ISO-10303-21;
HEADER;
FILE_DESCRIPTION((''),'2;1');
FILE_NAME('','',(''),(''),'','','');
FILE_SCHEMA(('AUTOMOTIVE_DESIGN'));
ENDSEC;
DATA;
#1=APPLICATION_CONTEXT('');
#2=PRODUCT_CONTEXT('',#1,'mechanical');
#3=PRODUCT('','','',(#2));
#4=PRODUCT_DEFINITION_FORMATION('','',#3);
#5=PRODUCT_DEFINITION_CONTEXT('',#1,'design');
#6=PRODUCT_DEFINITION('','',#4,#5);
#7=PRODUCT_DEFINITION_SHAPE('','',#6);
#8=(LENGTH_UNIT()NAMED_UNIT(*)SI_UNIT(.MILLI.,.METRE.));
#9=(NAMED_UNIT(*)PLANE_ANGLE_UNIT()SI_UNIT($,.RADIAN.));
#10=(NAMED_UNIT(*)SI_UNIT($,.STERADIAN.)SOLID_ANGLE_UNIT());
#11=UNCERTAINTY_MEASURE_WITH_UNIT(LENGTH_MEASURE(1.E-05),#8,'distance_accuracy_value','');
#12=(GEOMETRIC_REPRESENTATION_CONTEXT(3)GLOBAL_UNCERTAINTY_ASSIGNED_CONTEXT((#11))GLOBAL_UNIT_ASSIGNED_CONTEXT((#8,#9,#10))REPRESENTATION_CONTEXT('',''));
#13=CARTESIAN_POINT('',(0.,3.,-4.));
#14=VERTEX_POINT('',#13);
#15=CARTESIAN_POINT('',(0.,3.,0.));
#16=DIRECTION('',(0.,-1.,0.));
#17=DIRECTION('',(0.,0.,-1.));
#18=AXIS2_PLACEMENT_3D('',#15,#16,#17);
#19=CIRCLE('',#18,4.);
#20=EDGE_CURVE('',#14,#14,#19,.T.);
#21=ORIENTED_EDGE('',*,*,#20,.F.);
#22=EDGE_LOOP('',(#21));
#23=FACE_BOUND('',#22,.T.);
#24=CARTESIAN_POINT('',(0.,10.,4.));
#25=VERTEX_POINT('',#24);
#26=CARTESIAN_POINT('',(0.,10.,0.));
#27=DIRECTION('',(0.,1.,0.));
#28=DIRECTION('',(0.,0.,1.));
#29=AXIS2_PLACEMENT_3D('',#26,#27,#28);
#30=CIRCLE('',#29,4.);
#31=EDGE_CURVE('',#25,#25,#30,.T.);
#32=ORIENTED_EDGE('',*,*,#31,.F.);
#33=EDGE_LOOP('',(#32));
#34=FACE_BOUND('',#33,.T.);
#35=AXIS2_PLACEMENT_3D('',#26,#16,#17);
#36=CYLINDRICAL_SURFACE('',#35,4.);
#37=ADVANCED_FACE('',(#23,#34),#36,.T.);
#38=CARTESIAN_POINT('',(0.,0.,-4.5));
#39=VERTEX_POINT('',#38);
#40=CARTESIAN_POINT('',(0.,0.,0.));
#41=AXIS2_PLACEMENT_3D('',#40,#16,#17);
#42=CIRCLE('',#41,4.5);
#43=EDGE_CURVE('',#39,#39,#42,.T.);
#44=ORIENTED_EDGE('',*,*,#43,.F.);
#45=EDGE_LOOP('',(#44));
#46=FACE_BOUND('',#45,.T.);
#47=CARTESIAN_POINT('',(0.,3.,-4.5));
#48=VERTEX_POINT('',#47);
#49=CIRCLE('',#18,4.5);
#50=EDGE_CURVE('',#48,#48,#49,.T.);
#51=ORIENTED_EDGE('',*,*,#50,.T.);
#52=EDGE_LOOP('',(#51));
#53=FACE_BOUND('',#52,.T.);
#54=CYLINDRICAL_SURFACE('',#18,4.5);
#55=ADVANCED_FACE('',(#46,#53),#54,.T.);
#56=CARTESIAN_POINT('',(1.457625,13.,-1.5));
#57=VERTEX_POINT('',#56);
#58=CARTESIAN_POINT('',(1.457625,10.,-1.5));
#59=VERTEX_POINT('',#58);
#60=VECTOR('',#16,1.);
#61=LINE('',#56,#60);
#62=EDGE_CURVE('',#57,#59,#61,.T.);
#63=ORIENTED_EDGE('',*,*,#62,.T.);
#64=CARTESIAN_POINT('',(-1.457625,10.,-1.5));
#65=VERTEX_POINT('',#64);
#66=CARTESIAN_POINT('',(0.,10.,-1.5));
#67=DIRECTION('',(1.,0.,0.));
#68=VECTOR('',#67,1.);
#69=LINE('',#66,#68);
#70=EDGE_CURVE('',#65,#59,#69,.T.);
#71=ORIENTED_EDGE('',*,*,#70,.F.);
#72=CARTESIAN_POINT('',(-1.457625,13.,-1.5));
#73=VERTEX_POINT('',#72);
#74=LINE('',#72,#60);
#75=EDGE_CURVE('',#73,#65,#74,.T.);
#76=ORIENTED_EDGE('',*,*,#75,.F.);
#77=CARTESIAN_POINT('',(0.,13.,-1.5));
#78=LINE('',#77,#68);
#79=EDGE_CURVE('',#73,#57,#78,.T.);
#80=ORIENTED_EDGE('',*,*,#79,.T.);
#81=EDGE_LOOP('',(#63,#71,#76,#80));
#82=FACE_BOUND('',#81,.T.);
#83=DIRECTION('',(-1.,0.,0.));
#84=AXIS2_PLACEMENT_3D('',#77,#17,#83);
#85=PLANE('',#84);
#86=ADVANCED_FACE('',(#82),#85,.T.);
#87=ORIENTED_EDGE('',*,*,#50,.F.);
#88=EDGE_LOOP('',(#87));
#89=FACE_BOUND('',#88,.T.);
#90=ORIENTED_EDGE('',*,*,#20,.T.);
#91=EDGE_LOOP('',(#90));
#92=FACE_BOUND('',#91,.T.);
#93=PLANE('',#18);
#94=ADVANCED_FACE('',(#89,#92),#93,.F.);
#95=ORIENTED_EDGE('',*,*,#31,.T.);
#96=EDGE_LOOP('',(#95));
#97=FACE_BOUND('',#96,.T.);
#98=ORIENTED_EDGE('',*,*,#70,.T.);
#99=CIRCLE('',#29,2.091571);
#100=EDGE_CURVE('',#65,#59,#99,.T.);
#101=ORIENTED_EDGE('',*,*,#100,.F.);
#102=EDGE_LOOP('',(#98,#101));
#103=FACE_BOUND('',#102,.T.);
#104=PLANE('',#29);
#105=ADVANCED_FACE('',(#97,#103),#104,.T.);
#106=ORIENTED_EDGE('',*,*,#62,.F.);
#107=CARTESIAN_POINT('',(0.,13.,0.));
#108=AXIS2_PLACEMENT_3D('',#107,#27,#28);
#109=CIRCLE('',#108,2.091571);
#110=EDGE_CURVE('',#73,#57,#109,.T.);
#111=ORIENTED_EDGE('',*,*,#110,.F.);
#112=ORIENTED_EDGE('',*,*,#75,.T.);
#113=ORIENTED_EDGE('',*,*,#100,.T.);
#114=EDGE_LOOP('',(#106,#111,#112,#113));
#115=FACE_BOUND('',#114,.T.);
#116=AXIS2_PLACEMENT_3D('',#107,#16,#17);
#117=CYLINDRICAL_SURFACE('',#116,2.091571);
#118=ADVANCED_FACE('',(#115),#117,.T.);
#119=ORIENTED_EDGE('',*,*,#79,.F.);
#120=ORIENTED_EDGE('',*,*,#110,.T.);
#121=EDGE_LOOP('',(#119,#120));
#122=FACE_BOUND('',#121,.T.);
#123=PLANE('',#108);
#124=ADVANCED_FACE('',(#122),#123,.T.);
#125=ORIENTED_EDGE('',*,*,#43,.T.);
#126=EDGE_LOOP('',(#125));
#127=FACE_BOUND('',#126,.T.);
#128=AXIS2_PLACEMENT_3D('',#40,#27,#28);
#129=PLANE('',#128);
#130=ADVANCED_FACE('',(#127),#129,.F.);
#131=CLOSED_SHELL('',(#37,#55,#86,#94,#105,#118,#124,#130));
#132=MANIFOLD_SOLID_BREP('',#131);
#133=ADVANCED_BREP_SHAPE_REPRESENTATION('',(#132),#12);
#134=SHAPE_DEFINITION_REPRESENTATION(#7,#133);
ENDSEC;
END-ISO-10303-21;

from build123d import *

# Parameters (mm, degrees)
SKETCH1_R           = 4
BOSS_EXTRUDE1_DEPTH = 10
BOSS_EXTRUDE2_DEPTH = 3
SKETCH3_R           = 4.5
SKETCH3_R_2         = 4
BOSS_EXTRUDE3_DEPTH = 3


with BuildPart() as part:
    # Sketch1 → Boss-Extrude1 (new body)
    with BuildSketch(Plane(origin=(0, 0, 0), x_dir=(1, 0, 0), z_dir=(0, 1, 0))):
        with Locations(Location((0, 0, 0), (0, 0, 270))):
            Circle(SKETCH1_R)
    extrude(amount=BOSS_EXTRUDE1_DEPTH)

    # Sketch2 → Boss-Extrude2 (add)
    with BuildSketch(Plane(origin=(0, 10, 0), x_dir=(1, 0, 0), z_dir=(0, 1, 0))):
        with BuildLine():
            Line((1.457625029, 1.5), (-1.457625029, 1.5))
            ThreePointArc((-1.457625029, 1.5), (-0.814230917, -1.926576949), (2.091571353, 0))
            ThreePointArc((2.091571353, 0), (1.926576949, 0.814230917), (1.457625029, 1.5))
        make_face()
    extrude(amount=BOSS_EXTRUDE2_DEPTH)

    # Sketch3 → Boss-Extrude3 (add)
    with BuildSketch(Plane.XZ):
        with Locations(Location((0, 0, 0), (0, 0, 270))):
            Circle(SKETCH3_R)
        with Locations(Location((0, 0, 0), (0, 0, 270))):
            Circle(SKETCH3_R_2, mode=Mode.SUBTRACT)
    extrude(amount=-BOSS_EXTRUDE3_DEPTH)


solid = part.part
